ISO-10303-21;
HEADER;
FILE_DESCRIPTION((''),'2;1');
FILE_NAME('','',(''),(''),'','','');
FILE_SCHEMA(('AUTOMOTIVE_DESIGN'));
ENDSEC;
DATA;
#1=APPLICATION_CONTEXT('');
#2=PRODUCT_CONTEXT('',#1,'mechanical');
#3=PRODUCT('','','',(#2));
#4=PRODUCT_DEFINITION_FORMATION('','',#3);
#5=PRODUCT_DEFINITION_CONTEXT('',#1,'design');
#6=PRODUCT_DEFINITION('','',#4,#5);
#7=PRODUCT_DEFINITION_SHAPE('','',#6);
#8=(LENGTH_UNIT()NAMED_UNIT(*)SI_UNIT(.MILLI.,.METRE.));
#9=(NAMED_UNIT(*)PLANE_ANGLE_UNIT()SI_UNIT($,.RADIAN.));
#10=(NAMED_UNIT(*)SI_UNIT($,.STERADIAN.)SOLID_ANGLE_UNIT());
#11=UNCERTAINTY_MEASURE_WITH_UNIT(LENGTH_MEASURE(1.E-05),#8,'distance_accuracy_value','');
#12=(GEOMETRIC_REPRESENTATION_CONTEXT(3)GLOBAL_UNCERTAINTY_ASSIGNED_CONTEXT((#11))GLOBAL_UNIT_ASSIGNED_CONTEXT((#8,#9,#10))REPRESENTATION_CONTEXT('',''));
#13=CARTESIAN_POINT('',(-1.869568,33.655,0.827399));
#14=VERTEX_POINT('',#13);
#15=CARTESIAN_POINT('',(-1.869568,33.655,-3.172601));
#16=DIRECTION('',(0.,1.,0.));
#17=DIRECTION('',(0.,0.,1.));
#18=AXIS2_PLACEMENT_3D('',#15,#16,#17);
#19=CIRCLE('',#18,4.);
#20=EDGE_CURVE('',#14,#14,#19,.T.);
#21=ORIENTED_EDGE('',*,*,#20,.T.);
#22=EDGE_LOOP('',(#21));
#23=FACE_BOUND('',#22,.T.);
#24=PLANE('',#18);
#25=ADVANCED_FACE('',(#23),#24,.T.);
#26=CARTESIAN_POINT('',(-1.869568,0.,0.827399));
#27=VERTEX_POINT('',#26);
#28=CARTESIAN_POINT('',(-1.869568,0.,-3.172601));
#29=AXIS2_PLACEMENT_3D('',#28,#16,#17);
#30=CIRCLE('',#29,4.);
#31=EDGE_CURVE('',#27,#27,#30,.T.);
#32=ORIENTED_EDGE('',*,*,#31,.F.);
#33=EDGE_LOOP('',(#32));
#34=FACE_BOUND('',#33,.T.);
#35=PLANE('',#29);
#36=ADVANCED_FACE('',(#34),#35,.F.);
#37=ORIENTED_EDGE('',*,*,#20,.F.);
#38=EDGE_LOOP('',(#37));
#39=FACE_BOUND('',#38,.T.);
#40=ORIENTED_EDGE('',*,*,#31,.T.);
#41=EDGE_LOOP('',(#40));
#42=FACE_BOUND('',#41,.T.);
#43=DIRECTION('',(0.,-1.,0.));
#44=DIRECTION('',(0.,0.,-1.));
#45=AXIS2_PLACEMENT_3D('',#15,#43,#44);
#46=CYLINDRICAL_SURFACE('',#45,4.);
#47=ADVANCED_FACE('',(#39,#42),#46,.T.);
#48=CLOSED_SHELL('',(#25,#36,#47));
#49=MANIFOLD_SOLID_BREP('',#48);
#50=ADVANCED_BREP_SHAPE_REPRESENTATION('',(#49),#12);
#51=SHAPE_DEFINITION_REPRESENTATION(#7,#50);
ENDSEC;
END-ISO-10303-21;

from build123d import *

# Parameters (mm, degrees)
SKETCH1_R           = 4
BOSS_EXTRUDE1_DEPTH = 33.655


with BuildPart() as part:
    # Sketch1 → Boss-Extrude1 (new body)
    with BuildSketch(Plane(origin=(0, 0, 0), x_dir=(1, 0, 0), z_dir=(0, 1, 0))):
        with Locations(Location((-1.869568361, 3.172600856, 0), (0, 0, 270))):
            Circle(SKETCH1_R)
    extrude(amount=BOSS_EXTRUDE1_DEPTH)


solid = part.part
